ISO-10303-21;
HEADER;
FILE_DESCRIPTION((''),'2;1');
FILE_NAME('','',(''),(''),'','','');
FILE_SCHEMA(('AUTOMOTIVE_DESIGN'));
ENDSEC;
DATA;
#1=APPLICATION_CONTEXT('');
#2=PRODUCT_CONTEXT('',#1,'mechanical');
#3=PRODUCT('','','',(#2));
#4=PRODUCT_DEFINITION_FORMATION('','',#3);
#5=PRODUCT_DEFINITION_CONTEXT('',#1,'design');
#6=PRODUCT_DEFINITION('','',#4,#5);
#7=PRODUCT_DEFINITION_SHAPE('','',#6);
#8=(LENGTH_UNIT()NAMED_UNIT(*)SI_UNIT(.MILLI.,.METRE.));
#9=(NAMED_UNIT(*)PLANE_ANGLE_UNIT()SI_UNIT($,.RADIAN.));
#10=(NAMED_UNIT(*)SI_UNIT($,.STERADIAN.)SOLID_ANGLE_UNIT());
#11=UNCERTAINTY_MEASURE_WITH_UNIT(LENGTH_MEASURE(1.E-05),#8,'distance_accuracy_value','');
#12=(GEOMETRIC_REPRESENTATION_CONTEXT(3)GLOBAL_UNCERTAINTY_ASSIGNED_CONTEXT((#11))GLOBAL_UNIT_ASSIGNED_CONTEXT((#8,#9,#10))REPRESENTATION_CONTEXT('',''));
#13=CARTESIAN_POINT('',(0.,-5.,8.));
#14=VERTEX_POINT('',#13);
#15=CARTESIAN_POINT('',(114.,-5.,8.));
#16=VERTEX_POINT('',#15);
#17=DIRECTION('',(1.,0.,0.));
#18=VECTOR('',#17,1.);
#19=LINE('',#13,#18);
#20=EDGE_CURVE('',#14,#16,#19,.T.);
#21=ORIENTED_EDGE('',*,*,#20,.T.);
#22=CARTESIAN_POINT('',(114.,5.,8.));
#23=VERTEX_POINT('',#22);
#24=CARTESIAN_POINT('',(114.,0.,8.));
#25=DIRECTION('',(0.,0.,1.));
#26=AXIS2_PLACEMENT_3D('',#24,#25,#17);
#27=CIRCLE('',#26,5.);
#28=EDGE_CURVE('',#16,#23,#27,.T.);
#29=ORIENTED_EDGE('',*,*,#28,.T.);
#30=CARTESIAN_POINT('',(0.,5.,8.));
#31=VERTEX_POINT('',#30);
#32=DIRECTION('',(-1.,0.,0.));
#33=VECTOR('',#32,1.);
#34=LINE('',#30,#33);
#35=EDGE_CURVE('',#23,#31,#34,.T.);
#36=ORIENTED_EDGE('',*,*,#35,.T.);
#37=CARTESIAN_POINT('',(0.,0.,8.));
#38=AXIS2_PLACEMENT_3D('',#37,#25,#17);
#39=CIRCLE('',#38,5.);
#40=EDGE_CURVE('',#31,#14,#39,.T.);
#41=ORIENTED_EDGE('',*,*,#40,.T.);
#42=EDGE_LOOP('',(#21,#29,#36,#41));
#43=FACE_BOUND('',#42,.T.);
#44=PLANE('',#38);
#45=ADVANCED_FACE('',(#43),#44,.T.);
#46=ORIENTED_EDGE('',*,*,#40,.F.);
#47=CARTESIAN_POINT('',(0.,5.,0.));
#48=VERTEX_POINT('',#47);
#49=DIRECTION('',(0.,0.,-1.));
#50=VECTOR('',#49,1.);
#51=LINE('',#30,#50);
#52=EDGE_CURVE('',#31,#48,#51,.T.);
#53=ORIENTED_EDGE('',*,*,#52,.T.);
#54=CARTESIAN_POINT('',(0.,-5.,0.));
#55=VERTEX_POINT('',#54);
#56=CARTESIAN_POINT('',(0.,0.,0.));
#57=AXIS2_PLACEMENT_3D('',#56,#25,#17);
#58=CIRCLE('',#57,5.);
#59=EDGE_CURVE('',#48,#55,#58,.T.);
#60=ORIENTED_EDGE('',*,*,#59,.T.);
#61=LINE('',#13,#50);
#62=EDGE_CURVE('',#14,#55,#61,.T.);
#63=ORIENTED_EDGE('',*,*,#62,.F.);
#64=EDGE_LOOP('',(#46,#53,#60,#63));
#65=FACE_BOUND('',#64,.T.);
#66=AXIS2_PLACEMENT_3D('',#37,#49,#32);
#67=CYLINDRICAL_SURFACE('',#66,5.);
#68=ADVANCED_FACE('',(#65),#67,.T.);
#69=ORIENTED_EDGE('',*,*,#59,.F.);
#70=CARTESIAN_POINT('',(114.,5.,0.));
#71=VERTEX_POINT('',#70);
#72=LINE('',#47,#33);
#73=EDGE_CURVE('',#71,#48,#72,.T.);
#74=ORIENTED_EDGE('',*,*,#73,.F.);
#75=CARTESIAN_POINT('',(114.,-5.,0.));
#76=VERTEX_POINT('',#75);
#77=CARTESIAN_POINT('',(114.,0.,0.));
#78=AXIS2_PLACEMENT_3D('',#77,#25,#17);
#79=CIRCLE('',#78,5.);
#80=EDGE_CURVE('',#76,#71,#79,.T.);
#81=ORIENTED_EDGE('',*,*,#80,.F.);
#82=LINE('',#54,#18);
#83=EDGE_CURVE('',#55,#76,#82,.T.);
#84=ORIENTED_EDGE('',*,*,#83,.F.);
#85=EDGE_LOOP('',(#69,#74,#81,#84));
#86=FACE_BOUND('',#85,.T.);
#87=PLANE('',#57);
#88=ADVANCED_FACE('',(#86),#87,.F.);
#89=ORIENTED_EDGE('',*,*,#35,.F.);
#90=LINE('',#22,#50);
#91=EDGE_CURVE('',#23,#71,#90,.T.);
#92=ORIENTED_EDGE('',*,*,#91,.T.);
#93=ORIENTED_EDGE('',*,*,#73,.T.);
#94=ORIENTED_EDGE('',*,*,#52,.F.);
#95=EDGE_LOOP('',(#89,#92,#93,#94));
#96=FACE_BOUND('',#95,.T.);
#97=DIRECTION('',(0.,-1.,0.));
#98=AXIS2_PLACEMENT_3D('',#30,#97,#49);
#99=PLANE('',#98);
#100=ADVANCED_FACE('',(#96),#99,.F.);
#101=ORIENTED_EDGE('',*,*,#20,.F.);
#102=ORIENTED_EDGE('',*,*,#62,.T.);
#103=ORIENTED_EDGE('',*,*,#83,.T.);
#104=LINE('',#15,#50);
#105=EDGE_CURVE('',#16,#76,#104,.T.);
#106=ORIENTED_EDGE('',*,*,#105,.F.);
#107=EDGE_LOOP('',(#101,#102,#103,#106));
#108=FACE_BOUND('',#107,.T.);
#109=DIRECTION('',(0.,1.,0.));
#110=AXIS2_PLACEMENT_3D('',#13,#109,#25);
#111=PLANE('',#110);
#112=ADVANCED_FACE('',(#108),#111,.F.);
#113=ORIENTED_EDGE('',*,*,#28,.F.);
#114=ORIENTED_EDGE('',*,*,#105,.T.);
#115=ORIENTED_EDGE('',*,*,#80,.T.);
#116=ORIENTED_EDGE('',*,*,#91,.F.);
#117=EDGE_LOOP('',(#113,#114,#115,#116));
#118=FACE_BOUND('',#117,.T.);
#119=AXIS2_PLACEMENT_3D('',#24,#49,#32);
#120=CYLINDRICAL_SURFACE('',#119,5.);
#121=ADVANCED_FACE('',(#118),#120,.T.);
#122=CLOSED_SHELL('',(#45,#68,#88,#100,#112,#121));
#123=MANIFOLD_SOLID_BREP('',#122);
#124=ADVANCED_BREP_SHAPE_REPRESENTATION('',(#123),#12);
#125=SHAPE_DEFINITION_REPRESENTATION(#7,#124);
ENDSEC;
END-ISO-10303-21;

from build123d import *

# Parameters (mm, degrees)
EXTRUDE_3_DEPTH = 8


with BuildPart() as part:
    # Эскиз1 → Бобышка-Вытянуть3 (new body)
    with BuildSketch(Plane.XY):
        with BuildLine():
            Line((0, 5), (114, 5))
            ThreePointArc((114, 5), (119, 0), (114, -5))
            Line((114, -5), (0, -5))
            ThreePointArc((0, -5), (-5, 0), (0, 5))
        make_face()
    extrude(amount=EXTRUDE_3_DEPTH)


solid = part.part
